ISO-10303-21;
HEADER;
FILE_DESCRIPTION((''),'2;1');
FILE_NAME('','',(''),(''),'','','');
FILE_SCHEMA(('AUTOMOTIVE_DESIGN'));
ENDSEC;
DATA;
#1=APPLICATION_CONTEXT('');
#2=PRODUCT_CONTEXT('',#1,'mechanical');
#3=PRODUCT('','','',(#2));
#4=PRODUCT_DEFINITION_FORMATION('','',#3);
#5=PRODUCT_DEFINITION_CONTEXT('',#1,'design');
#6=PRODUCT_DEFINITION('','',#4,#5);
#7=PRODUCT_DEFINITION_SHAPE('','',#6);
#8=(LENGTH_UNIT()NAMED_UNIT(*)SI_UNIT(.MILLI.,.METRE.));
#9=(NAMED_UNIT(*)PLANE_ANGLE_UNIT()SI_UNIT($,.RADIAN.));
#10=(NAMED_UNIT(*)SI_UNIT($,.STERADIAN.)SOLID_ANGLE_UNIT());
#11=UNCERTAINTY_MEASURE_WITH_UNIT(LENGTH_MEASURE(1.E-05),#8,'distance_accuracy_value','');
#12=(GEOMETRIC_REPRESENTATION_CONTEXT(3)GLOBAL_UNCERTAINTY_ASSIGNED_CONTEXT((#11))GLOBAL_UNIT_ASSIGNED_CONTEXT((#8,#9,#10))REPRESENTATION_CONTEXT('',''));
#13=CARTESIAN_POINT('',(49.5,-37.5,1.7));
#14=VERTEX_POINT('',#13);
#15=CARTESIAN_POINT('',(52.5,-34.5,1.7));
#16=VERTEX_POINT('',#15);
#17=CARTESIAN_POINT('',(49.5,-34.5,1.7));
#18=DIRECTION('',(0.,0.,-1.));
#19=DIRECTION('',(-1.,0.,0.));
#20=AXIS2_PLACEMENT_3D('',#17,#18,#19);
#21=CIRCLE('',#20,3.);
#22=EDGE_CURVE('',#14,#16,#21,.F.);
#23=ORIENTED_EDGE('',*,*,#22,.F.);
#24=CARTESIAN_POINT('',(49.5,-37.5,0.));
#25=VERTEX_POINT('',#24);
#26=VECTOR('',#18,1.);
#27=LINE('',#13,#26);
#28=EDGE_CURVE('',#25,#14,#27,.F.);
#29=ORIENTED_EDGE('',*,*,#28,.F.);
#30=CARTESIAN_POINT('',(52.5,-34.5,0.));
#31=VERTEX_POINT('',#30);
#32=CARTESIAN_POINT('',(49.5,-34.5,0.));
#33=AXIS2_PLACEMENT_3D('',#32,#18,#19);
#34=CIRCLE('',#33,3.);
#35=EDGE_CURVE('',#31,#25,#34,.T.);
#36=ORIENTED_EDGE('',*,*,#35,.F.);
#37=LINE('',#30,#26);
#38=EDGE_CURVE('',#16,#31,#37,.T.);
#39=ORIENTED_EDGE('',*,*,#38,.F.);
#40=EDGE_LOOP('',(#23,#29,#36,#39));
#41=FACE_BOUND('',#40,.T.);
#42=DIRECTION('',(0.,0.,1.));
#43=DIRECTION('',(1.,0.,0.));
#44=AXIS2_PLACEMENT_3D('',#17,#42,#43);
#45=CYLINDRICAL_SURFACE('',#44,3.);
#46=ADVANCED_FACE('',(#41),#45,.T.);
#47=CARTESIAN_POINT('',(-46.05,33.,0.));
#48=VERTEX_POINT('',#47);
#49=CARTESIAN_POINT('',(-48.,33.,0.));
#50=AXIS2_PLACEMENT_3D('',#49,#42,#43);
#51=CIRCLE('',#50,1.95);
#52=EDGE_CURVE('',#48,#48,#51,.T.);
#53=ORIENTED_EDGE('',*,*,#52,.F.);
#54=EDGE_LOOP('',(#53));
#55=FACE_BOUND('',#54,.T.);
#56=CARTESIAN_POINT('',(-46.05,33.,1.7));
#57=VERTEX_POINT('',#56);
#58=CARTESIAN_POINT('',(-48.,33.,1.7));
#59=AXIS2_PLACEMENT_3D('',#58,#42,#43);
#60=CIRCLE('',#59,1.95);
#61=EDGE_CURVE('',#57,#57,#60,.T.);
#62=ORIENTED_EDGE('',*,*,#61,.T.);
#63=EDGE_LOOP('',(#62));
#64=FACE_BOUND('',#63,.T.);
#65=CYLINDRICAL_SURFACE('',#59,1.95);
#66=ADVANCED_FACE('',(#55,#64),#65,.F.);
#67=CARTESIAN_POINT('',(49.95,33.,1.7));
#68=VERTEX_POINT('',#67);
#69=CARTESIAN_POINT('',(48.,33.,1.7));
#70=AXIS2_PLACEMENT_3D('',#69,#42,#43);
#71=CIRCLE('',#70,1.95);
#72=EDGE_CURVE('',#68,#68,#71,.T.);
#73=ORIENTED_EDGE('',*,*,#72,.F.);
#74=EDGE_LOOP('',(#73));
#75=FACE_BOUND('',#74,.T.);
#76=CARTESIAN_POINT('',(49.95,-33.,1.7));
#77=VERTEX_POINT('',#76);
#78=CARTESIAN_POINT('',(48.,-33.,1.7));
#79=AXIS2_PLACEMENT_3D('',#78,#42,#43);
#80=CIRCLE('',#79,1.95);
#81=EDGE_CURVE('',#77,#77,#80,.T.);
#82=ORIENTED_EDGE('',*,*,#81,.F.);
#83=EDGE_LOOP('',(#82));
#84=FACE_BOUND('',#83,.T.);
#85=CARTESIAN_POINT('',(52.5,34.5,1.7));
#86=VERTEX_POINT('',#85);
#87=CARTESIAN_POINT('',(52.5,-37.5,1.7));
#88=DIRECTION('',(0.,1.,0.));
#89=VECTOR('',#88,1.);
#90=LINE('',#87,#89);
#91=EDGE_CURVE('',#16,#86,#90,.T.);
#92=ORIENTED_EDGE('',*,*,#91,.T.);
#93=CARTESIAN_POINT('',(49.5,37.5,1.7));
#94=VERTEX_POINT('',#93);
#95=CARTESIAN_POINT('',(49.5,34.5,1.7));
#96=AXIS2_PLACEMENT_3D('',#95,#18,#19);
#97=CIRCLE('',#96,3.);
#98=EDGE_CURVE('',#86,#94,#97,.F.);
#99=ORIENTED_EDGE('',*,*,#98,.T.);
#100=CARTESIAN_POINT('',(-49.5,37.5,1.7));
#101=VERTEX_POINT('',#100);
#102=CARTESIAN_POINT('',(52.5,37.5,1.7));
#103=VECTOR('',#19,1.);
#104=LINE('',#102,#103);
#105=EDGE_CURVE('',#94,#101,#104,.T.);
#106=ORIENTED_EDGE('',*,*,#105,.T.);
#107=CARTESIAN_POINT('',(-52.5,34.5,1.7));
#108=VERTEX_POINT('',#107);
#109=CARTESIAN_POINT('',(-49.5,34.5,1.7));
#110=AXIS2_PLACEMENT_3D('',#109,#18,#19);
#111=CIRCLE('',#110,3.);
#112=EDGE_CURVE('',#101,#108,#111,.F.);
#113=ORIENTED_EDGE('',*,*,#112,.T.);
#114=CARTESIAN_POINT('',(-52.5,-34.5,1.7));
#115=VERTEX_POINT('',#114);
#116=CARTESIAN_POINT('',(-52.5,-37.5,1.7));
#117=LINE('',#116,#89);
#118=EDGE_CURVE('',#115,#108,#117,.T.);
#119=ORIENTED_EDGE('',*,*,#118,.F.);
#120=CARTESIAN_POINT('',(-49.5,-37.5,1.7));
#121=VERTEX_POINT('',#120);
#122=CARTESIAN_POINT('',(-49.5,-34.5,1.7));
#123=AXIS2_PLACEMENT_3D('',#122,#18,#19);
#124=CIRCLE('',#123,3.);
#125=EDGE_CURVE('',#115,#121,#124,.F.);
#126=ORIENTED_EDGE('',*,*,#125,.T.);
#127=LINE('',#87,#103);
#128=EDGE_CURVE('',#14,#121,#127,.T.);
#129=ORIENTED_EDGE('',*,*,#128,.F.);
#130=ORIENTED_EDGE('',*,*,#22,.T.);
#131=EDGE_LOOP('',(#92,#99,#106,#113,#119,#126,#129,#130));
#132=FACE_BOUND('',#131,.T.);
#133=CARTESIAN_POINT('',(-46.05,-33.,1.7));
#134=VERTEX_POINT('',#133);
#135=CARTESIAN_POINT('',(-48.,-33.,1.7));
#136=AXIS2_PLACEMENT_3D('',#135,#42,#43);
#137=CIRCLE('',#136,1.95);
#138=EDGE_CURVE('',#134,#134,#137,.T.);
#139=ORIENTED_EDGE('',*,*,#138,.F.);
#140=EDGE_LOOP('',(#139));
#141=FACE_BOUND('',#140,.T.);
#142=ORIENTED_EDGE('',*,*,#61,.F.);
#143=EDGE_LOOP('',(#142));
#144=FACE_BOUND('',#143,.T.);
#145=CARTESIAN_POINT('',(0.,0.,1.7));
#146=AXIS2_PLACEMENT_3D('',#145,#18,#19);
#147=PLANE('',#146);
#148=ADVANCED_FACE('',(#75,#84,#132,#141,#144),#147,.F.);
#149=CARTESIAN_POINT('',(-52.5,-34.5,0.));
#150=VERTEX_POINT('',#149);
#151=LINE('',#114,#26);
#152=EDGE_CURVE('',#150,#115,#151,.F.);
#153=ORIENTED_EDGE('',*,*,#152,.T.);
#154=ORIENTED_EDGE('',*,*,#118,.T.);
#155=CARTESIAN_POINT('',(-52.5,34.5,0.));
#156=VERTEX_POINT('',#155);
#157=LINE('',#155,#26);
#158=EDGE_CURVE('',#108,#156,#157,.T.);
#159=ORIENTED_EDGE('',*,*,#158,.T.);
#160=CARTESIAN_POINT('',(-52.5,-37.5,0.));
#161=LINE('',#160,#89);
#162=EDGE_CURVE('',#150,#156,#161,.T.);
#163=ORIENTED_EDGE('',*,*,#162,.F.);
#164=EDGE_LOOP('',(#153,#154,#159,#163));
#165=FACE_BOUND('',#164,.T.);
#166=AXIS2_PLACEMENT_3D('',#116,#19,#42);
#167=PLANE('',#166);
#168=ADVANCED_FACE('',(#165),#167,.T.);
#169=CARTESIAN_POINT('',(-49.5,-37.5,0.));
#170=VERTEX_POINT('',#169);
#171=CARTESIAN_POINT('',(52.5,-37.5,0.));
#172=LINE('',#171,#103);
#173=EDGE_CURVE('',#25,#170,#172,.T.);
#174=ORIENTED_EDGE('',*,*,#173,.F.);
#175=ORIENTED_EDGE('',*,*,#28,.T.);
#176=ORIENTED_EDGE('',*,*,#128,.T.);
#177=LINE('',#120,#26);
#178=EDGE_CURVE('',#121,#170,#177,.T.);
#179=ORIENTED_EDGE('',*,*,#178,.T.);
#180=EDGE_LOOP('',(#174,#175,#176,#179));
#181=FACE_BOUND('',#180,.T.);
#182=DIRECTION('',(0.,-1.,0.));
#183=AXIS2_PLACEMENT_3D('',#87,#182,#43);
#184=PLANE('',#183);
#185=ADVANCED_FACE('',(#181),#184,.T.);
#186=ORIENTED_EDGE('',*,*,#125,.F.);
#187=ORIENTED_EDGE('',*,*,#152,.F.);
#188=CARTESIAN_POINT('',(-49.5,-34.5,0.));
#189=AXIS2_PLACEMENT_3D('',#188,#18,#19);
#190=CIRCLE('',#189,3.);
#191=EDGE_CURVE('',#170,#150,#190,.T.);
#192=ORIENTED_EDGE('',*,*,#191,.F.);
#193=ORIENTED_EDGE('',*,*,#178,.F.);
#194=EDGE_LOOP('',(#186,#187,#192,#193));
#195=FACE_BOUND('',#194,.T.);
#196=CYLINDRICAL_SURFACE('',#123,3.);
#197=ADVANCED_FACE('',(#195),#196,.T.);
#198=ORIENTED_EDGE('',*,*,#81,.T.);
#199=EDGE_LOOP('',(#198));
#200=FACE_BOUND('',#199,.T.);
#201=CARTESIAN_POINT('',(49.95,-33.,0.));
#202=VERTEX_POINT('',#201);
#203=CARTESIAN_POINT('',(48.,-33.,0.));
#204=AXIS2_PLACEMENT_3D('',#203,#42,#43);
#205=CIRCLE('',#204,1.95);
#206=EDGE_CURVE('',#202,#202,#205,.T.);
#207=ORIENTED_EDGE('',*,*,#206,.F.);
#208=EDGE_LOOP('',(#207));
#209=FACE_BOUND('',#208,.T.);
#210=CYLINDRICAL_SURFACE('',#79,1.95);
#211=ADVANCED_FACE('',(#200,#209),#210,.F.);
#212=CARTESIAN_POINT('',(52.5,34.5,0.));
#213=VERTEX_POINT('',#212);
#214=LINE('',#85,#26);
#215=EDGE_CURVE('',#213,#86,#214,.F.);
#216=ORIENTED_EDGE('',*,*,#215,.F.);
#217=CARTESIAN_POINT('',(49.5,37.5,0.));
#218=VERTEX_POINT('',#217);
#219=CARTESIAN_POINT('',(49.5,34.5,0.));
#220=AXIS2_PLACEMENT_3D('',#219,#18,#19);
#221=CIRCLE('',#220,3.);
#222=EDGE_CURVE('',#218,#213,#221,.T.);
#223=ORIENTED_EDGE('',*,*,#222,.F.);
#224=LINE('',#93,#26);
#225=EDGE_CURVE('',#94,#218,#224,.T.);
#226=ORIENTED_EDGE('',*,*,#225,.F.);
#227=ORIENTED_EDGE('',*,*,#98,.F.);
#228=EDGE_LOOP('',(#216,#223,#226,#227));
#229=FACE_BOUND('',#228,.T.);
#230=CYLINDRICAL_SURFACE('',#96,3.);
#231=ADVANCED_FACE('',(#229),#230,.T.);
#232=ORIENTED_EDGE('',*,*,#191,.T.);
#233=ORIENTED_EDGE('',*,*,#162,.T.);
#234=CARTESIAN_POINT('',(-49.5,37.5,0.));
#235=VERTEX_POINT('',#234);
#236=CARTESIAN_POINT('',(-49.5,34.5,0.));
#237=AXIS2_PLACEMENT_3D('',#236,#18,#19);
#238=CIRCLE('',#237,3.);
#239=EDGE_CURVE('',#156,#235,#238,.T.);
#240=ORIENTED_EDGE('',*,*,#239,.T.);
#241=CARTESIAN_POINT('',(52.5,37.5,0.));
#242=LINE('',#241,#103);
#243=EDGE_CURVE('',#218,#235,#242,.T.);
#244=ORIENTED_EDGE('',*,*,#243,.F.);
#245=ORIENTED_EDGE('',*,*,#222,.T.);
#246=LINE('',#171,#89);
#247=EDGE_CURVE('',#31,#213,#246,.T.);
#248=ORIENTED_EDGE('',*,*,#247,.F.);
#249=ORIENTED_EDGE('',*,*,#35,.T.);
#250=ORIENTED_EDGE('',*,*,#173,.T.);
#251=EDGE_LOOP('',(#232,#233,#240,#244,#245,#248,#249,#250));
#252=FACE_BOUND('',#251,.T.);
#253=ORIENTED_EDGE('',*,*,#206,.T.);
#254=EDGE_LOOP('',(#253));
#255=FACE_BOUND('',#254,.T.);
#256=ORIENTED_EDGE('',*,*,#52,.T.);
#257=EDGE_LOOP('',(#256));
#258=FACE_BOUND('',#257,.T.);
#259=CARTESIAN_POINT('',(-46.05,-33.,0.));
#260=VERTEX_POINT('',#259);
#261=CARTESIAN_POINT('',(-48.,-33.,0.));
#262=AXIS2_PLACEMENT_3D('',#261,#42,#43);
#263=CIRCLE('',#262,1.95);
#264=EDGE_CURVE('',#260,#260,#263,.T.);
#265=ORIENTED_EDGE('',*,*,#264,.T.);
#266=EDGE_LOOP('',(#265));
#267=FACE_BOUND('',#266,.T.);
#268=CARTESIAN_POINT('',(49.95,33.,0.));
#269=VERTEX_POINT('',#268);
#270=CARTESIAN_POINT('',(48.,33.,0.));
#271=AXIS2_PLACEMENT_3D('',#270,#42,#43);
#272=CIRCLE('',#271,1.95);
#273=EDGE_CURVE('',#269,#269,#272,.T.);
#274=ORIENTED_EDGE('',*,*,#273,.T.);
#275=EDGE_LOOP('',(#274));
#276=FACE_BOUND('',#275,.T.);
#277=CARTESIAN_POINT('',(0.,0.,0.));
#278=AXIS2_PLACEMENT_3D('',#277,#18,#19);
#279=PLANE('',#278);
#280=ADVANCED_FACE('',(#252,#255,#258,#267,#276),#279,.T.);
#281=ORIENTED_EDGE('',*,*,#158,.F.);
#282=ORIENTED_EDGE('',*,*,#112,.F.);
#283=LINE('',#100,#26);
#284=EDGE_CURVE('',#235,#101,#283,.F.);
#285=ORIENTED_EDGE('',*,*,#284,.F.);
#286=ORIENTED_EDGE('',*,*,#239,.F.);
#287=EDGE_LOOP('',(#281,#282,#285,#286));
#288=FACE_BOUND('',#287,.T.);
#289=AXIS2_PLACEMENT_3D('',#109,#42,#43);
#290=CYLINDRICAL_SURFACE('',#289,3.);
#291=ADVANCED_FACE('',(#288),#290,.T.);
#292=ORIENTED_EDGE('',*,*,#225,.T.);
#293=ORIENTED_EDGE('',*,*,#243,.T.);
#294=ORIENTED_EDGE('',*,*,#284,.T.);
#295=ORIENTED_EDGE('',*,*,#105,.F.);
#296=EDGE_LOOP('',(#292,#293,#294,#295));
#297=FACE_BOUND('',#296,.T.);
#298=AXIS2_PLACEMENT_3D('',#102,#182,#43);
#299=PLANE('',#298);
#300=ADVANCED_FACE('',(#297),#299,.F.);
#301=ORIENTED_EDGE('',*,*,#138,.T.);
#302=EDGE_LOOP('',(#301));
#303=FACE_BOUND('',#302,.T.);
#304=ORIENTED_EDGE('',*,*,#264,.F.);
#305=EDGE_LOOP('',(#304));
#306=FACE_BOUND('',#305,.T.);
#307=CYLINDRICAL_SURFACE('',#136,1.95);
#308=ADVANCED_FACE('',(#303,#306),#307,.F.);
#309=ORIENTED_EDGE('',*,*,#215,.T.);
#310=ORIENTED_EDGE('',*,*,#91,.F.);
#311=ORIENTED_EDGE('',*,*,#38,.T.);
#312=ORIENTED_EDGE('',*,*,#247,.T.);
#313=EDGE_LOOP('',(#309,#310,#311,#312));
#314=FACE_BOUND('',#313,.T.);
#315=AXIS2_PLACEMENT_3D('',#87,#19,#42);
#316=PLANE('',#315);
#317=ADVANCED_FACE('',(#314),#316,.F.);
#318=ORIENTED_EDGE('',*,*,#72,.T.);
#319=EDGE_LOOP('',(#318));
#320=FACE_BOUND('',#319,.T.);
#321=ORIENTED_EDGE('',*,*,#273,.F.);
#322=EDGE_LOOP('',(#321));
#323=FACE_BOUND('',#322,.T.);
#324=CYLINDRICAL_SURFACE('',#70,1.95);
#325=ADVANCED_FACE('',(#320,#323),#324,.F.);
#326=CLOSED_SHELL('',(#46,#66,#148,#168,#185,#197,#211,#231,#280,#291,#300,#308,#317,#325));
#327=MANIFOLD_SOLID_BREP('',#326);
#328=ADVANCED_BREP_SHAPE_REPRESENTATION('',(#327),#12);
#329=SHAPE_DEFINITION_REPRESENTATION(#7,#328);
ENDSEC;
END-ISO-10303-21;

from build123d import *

# Parameters (mm, degrees)
ESQUISSE1_W                     = 105
ESQUISSE1_H                     = 75
BOSS_EXTRU_1_DEPTH              = 1.7
D_GAGEMENT_M3_51_D              = 3.9
R_P_TITION_LIN_AIRE1_COUNT      = 2
R_P_TITION_LIN_AIRE1_PITCH      = 96
R_P_TITION_LIN_AIRE1_COUNT_DIR2 = 2
R_P_TITION_LIN_AIRE1_PITCH_DIR2 = 66
CONG_1_R                        = 3


with BuildPart() as part:
    # Esquisse1 → Boss.-Extru.1 (new body)
    with BuildSketch(Plane.XY):
        Rectangle(ESQUISSE1_W, ESQUISSE1_H)
    extrude(amount=BOSS_EXTRU_1_DEPTH)

    # Dégagement M3.51 (through all)
    with Locations(Plane.XY.offset(1.7)):
        with Locations((48, 33)):
            d_gagement_m3_51 = Hole(D_GAGEMENT_M3_51_D / 2)

    # Répétition linéaire1: D_gagement M3.51 2 × 2
    with Locations(*[(-i * R_P_TITION_LIN_AIRE1_PITCH, -j * R_P_TITION_LIN_AIRE1_PITCH_DIR2, 0) for i in range(R_P_TITION_LIN_AIRE1_COUNT) for j in range(R_P_TITION_LIN_AIRE1_COUNT_DIR2) if (i, j) != (0, 0)]):
        add(d_gagement_m3_51, mode=Mode.SUBTRACT)

    # Congé1
    cong_1_edges = [part.edges().sort_by_distance(p)[0] for p in [
        (52.5, -37.5, 0.85),
        (52.5, 37.5, 0.85),
        (-52.5, 37.5, 0.85),
        (-52.5, -37.5, 0.85),
    ]]
    fillet(cong_1_edges, radius=CONG_1_R)


solid = part.part
